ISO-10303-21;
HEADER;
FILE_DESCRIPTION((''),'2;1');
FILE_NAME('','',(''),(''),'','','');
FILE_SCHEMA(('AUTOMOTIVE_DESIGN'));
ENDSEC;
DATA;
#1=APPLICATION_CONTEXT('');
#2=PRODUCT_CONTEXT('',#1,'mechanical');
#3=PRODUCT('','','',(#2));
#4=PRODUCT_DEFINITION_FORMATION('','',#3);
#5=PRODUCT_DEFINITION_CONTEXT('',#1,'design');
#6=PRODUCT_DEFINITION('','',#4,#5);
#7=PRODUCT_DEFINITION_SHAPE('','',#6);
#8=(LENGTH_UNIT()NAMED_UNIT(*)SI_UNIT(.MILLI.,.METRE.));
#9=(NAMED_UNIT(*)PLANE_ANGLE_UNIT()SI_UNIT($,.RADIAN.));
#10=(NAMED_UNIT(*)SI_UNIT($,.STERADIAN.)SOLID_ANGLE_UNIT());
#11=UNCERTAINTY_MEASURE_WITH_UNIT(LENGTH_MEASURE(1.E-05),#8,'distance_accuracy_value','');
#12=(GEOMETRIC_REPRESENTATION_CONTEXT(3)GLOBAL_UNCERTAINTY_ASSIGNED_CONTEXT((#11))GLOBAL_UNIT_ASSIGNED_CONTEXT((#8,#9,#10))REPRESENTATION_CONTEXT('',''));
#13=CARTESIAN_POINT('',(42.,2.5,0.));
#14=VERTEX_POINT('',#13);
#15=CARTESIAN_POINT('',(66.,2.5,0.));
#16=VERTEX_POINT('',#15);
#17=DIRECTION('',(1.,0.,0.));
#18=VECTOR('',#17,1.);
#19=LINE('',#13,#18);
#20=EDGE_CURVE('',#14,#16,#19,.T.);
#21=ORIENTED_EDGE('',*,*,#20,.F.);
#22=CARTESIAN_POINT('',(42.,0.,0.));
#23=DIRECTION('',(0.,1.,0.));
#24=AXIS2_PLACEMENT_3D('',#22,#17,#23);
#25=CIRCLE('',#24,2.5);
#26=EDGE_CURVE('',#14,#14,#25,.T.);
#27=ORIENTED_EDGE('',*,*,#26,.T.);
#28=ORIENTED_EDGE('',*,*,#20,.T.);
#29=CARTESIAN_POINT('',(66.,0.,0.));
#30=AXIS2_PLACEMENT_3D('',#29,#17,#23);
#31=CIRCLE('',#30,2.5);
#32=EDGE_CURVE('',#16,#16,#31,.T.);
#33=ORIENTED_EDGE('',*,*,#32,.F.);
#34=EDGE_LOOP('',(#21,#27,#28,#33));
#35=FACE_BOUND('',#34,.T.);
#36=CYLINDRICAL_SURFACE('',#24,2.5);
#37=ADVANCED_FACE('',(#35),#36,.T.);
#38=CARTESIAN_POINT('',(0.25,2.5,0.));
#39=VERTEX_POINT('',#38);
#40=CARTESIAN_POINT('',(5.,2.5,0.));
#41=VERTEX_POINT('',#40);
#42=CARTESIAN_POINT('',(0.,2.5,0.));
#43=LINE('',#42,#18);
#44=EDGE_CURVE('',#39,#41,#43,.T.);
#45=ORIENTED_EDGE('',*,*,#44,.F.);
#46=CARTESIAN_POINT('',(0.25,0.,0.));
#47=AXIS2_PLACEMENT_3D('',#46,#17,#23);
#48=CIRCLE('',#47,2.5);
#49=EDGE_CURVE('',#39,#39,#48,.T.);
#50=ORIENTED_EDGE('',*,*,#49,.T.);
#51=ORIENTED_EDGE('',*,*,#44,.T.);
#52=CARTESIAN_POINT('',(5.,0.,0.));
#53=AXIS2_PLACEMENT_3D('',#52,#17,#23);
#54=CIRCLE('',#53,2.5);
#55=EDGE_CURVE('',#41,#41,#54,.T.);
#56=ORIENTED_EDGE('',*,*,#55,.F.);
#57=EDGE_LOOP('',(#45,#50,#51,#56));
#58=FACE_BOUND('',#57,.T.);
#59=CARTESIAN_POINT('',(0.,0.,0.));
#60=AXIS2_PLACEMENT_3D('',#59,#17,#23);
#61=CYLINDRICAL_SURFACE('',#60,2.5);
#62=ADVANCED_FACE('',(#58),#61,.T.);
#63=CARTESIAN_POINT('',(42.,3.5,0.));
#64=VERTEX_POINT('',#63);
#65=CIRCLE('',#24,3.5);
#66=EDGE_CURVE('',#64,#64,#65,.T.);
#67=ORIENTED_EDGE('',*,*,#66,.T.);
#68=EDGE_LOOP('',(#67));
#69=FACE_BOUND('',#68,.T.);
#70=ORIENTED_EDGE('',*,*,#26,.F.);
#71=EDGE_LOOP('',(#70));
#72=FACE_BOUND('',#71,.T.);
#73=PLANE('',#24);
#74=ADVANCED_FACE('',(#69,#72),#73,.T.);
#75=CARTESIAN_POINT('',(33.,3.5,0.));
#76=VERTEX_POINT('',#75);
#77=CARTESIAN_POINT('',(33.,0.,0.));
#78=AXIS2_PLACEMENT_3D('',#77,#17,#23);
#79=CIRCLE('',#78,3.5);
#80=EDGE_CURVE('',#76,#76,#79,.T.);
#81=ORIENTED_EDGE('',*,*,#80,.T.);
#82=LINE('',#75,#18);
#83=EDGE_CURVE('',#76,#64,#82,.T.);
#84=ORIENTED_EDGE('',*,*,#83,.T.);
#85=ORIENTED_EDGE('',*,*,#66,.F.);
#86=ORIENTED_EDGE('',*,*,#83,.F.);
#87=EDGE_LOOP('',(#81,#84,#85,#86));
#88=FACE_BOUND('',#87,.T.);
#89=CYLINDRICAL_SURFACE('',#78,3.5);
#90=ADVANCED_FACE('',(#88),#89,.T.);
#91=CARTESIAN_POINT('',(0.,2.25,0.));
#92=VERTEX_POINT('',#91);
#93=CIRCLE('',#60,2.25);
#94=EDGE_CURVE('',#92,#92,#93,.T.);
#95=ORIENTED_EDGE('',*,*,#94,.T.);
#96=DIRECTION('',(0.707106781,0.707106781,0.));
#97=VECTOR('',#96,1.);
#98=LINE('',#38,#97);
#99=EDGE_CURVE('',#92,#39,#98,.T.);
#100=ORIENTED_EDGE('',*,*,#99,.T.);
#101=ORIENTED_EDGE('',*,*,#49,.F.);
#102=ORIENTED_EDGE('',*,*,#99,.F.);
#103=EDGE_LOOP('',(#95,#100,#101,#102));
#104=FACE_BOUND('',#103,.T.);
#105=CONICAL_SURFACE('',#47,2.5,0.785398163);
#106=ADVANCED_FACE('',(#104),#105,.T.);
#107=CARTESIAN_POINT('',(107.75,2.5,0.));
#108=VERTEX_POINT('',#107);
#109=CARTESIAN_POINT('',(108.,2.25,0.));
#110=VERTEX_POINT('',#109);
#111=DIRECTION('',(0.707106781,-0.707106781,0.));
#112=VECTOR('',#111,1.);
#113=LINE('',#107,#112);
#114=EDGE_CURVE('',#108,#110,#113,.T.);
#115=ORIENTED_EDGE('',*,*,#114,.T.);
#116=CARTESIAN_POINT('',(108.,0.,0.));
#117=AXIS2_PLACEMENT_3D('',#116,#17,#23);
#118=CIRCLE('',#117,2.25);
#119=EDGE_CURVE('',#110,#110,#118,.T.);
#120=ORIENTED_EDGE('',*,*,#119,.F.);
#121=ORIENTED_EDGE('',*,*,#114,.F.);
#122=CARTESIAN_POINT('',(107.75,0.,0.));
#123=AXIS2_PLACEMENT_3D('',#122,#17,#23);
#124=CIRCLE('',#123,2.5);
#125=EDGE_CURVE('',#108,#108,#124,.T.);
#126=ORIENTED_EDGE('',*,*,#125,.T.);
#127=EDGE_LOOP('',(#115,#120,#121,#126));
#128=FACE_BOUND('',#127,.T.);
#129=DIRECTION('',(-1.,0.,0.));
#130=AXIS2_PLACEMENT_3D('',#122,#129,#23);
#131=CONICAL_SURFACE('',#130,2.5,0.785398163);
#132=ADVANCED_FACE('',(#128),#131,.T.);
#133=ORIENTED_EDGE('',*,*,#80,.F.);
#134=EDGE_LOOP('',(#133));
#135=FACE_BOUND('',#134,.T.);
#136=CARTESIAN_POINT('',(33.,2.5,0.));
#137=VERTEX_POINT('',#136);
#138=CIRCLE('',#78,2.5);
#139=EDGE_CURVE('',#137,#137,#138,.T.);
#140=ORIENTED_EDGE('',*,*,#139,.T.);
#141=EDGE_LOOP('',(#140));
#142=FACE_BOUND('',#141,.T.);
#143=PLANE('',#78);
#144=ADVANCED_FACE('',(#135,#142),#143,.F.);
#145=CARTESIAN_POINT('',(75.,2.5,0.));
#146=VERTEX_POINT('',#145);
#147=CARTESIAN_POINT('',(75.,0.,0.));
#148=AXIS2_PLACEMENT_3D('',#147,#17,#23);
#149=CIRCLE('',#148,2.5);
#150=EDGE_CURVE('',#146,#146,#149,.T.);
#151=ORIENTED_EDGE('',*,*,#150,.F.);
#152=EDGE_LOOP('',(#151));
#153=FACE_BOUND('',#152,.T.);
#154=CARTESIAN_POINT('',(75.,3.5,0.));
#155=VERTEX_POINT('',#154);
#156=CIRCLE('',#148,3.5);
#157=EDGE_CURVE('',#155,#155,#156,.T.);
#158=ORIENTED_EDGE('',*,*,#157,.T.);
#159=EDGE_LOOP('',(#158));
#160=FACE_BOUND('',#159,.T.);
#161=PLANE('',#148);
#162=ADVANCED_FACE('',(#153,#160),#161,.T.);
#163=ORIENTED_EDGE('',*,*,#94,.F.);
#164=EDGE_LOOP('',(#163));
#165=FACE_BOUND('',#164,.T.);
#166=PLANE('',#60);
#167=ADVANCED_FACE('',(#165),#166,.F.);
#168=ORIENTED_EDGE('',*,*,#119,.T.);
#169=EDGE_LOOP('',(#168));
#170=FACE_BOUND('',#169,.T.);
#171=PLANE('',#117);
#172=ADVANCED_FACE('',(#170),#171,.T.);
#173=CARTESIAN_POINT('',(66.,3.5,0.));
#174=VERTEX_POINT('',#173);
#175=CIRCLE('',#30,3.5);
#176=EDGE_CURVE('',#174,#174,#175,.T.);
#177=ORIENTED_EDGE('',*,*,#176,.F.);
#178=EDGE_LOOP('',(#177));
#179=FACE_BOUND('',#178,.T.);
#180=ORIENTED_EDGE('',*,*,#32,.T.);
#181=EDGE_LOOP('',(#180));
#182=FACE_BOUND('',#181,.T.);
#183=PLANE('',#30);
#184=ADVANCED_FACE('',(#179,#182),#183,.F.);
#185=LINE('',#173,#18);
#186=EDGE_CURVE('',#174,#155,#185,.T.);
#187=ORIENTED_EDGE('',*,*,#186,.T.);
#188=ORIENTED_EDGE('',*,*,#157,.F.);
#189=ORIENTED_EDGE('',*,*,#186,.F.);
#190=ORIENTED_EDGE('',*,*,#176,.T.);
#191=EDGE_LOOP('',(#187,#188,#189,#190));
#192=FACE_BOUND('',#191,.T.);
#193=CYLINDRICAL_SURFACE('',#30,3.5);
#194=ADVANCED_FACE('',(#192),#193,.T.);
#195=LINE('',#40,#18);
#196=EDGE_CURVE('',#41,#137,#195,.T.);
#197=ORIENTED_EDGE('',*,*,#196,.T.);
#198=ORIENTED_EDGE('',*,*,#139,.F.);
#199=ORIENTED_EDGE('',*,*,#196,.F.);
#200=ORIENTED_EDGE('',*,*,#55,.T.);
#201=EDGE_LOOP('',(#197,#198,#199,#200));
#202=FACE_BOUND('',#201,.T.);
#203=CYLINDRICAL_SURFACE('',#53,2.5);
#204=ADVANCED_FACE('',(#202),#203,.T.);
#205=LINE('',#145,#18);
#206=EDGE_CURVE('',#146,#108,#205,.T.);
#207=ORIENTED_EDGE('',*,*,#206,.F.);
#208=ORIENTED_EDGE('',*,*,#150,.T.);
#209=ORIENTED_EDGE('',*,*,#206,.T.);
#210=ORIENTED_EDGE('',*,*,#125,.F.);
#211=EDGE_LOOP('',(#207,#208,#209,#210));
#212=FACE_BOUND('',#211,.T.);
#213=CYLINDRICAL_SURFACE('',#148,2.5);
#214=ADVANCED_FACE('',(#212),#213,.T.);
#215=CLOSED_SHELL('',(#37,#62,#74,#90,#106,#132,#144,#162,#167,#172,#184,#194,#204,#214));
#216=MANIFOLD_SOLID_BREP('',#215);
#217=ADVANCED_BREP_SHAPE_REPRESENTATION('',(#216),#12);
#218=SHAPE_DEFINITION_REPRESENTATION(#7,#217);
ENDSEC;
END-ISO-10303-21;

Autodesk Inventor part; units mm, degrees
ref_plane "YZ Plane" through (0, 0, 0) normal (1, 0, 0) x (0, 1, 0)
ref_plane "XZ Plane" through (0, 0, 0) normal (0, 1, 0) x (-1, 0, 0)
ref_plane "XY Plane" through (0, 0, 0) normal (0, 0, 1) x (1, 0, 0)
sketch "草图1" plane through (0, 0, 0) normal (0, 0, 1) x (1, 0, 0)
  line L0 (0, 0) -> (0, 2.5)
  line L1 (0, 2.5) -> (5, 2.5)
  line L2 (5, 2.5) -> (33, 2.5)
  line L3 (33, 2.5) -> (33, 3.5)
  line L4 (33, 3.5) -> (42, 3.5)
  line L5 (42, 3.5) -> (42, 2.5)
  line L6 (42, 2.5) -> (66, 2.5)
  line L7 (66, 2.5) -> (66, 3.5)
  line L8 (66, 3.5) -> (75, 3.5)
  line L9 (75, 3.5) -> (75, 2.5)
  line L10 (75, 2.5) -> (108, 2.5)
  line L11 (108, 2.5) -> (108, 0)
  line L12 (108, 0) -> (0, 0)
  line L13 (-21.6, 0) -> (129.6, 0) projected
  dimension "d0" = 2.5
  dimension "d1" = 5
  dimension "d2" = 28
  dimension "d3" = 1
  dimension "d4" = 9
  dimension "d5" = 24
  dimension "d6" = 9
  dimension "d7" = 33
revolve "旋转1" add sketch "草图1" angle 360 about axis through (-10, 0, 0) along (1, 0, 0)
thread "螺纹1" size "M5x0.8" class "6g" standard "ANSI Metric M Profile" length 5
thread "螺纹2" size "M5x0.8" class "6g" standard "ANSI Metric M Profile" length 5
chamfer "倒角1" distance 0.25 angle 45 2 edges at (108, -2.5, 0) (0, -2.5, 0)
properties part number "刮肉轮轴"
